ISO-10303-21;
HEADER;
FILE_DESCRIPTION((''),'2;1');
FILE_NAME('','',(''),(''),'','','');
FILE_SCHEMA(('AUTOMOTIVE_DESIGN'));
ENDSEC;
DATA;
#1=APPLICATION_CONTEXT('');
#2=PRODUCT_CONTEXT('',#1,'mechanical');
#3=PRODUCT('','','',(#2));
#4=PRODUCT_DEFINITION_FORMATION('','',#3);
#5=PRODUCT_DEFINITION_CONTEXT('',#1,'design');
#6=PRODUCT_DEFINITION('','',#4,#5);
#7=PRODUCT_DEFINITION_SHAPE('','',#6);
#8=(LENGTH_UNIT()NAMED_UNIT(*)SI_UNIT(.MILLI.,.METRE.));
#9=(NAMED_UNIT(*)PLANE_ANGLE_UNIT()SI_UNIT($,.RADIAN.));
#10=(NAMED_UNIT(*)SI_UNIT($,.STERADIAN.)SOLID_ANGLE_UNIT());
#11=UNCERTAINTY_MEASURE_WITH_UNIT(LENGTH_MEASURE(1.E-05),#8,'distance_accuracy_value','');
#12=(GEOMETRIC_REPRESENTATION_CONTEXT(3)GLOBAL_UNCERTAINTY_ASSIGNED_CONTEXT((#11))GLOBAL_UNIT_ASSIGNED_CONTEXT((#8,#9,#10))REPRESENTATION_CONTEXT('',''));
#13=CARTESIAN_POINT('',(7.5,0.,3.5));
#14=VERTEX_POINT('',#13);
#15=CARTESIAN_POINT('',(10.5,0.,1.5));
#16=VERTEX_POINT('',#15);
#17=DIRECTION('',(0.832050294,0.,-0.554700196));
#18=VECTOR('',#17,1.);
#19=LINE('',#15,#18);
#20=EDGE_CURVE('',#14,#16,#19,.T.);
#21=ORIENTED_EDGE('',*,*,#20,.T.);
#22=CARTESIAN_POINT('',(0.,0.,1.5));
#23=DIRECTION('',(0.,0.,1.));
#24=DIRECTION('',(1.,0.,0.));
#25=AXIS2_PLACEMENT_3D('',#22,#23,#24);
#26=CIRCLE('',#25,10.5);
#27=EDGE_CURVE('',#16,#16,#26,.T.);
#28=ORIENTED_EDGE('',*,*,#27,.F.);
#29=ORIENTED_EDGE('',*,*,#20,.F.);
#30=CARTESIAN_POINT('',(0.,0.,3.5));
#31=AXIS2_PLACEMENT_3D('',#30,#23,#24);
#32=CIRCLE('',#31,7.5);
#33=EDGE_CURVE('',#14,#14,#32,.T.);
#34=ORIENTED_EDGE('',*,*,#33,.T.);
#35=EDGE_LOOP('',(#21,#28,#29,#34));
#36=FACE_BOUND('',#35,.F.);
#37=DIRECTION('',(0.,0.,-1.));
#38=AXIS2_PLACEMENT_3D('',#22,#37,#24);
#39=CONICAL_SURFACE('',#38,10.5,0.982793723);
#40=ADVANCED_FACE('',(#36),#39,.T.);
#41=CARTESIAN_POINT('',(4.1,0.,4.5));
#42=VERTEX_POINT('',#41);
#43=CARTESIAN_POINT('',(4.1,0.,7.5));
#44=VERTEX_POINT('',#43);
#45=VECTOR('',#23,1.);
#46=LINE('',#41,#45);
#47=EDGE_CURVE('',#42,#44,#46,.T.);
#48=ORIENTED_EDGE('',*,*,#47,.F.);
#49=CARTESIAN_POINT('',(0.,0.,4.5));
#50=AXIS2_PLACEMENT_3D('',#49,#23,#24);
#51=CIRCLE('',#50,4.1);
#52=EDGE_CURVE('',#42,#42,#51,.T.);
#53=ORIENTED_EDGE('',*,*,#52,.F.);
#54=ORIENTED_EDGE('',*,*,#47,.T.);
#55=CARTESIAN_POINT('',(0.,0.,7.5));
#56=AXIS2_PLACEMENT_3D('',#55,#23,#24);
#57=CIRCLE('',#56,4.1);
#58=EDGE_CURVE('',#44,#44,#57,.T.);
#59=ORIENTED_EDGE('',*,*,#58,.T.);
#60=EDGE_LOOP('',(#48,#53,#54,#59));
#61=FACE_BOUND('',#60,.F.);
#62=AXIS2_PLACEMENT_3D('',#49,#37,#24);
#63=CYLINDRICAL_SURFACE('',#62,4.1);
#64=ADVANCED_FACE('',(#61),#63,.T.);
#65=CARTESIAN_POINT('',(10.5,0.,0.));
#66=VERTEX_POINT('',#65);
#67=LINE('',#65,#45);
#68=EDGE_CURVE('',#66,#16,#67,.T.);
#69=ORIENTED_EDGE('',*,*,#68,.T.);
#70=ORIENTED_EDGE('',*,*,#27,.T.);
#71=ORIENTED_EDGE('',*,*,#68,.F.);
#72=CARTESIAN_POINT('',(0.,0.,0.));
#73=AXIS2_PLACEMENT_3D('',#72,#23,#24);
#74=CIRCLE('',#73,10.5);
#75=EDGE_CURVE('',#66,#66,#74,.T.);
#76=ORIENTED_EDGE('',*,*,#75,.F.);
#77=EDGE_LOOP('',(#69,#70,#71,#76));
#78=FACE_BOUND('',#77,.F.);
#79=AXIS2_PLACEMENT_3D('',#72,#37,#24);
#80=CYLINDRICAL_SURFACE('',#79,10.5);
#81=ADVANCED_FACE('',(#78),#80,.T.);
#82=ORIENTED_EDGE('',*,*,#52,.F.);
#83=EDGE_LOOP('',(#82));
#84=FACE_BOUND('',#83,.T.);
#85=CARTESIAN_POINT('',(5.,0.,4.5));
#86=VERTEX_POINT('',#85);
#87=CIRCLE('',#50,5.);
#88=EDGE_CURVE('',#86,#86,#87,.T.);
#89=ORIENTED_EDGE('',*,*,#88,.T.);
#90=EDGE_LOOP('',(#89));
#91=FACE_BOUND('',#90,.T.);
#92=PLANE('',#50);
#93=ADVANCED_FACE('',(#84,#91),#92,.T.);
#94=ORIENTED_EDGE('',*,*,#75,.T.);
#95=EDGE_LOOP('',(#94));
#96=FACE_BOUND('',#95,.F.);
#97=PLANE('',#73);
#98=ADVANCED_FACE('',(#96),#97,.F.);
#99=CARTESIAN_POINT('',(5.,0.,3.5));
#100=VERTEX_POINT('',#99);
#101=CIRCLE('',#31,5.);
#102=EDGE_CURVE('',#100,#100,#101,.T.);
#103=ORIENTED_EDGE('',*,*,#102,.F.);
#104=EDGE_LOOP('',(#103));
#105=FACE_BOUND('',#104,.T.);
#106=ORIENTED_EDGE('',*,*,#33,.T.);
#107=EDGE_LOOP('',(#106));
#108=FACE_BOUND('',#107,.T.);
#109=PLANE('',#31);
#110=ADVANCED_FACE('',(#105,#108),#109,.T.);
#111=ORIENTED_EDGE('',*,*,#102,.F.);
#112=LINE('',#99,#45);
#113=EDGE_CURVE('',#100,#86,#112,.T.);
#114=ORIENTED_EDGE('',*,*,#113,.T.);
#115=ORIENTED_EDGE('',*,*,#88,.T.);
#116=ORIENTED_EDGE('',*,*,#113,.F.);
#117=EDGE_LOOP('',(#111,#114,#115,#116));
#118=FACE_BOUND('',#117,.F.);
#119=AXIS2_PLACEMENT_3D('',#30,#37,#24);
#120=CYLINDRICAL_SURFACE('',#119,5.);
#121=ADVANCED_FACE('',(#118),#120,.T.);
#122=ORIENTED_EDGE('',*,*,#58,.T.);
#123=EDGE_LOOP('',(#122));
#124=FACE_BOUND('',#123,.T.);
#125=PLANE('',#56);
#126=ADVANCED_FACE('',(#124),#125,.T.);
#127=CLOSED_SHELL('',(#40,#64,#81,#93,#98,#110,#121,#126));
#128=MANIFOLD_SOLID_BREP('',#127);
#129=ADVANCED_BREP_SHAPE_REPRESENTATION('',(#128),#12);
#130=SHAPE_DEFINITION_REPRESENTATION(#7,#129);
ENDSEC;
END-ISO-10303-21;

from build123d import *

# Parameters (mm, degrees)
F0_R     = 10.5
F1_DEPTH = 3.5
F2_R     = 5
F3_DEPTH = 1
F4_R     = 4.1
F5_DEPTH = 3
F6_SIZE2 = 2
F6_SIZE  = 3


with BuildPart() as f1:
    # F0 (on Top) → F1 (new body)
    with BuildSketch(Plane.XY):
        Circle(F0_R)
    extrude(amount=F1_DEPTH)

    # F2 (on face) → F3 (join)
    with BuildSketch(Plane.XY.offset(3.5)):
        Circle(F2_R)
    extrude(amount=F3_DEPTH)

    # F4 (on face) → F5 (join)
    with BuildSketch(Plane.XY.offset(4.5)):
        Circle(F4_R)
    extrude(amount=F5_DEPTH)

    # F6
    f6_edges = [f1.edges().sort_by_distance(p)[0] for p in [
        (-10.5, 0, 3.5),
    ]]
    f6_side = f1.faces().sort_by_distance((-10.203015, 0, 3.5))[0]
    chamfer(f6_edges, length=F6_SIZE, length2=F6_SIZE2, reference=f6_side)


solid = f1.part
